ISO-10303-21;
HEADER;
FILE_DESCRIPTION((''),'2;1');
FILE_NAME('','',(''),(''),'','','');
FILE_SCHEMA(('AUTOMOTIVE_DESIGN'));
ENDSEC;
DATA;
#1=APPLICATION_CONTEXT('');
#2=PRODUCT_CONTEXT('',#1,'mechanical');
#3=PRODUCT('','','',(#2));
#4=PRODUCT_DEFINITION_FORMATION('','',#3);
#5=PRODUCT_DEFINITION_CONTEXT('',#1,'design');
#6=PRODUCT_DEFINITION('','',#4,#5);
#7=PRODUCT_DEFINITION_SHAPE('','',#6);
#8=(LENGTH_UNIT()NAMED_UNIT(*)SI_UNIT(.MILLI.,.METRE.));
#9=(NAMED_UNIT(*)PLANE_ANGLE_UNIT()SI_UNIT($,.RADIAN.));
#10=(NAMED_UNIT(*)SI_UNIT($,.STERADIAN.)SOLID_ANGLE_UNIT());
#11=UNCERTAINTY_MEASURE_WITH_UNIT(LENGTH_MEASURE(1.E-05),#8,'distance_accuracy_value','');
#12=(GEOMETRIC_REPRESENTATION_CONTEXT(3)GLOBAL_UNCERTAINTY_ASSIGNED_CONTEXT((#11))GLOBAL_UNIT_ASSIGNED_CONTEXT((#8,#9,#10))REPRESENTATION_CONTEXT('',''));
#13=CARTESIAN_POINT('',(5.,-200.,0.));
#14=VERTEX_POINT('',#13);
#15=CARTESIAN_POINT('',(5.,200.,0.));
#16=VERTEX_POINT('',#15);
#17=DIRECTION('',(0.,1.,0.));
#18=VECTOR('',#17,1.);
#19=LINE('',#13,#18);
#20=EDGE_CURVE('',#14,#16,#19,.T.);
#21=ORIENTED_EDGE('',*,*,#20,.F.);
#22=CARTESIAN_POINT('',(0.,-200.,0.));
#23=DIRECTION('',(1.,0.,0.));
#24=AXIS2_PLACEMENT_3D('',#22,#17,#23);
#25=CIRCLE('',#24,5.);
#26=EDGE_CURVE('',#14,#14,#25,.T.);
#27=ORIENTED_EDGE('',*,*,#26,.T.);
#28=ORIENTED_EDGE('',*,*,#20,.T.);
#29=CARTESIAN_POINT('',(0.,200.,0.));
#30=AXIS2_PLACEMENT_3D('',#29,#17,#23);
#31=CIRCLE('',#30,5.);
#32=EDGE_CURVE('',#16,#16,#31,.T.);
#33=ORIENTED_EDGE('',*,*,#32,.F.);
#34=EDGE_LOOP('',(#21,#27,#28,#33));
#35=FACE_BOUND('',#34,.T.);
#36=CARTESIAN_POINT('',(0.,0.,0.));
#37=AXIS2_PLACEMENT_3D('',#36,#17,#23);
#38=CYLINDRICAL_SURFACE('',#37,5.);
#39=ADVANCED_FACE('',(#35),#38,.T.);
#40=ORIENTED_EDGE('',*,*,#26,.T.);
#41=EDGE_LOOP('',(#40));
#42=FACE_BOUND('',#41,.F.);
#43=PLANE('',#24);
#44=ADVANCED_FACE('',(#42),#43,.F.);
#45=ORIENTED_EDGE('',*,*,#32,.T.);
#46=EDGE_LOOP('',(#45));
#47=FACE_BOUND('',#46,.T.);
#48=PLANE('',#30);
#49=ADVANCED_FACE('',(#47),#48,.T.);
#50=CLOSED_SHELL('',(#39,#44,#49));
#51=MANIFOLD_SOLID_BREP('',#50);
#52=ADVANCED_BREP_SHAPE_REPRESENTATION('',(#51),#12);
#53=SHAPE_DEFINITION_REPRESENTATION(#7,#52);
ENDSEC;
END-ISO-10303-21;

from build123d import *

# Parameters (mm, degrees)
SKETCH1_R           = 5
BOSS_EXTRUDE1_DEPTH = 200


with BuildPart() as part:
    # Sketch1 → Boss-Extrude1 (new body, symmetric)
    with BuildSketch(Plane(origin=(0, 0, 0), x_dir=(1, 0, 0), z_dir=(0, 1, 0))):
        Circle(SKETCH1_R)
    extrude(amount=BOSS_EXTRUDE1_DEPTH, both=True)


solid = part.part
